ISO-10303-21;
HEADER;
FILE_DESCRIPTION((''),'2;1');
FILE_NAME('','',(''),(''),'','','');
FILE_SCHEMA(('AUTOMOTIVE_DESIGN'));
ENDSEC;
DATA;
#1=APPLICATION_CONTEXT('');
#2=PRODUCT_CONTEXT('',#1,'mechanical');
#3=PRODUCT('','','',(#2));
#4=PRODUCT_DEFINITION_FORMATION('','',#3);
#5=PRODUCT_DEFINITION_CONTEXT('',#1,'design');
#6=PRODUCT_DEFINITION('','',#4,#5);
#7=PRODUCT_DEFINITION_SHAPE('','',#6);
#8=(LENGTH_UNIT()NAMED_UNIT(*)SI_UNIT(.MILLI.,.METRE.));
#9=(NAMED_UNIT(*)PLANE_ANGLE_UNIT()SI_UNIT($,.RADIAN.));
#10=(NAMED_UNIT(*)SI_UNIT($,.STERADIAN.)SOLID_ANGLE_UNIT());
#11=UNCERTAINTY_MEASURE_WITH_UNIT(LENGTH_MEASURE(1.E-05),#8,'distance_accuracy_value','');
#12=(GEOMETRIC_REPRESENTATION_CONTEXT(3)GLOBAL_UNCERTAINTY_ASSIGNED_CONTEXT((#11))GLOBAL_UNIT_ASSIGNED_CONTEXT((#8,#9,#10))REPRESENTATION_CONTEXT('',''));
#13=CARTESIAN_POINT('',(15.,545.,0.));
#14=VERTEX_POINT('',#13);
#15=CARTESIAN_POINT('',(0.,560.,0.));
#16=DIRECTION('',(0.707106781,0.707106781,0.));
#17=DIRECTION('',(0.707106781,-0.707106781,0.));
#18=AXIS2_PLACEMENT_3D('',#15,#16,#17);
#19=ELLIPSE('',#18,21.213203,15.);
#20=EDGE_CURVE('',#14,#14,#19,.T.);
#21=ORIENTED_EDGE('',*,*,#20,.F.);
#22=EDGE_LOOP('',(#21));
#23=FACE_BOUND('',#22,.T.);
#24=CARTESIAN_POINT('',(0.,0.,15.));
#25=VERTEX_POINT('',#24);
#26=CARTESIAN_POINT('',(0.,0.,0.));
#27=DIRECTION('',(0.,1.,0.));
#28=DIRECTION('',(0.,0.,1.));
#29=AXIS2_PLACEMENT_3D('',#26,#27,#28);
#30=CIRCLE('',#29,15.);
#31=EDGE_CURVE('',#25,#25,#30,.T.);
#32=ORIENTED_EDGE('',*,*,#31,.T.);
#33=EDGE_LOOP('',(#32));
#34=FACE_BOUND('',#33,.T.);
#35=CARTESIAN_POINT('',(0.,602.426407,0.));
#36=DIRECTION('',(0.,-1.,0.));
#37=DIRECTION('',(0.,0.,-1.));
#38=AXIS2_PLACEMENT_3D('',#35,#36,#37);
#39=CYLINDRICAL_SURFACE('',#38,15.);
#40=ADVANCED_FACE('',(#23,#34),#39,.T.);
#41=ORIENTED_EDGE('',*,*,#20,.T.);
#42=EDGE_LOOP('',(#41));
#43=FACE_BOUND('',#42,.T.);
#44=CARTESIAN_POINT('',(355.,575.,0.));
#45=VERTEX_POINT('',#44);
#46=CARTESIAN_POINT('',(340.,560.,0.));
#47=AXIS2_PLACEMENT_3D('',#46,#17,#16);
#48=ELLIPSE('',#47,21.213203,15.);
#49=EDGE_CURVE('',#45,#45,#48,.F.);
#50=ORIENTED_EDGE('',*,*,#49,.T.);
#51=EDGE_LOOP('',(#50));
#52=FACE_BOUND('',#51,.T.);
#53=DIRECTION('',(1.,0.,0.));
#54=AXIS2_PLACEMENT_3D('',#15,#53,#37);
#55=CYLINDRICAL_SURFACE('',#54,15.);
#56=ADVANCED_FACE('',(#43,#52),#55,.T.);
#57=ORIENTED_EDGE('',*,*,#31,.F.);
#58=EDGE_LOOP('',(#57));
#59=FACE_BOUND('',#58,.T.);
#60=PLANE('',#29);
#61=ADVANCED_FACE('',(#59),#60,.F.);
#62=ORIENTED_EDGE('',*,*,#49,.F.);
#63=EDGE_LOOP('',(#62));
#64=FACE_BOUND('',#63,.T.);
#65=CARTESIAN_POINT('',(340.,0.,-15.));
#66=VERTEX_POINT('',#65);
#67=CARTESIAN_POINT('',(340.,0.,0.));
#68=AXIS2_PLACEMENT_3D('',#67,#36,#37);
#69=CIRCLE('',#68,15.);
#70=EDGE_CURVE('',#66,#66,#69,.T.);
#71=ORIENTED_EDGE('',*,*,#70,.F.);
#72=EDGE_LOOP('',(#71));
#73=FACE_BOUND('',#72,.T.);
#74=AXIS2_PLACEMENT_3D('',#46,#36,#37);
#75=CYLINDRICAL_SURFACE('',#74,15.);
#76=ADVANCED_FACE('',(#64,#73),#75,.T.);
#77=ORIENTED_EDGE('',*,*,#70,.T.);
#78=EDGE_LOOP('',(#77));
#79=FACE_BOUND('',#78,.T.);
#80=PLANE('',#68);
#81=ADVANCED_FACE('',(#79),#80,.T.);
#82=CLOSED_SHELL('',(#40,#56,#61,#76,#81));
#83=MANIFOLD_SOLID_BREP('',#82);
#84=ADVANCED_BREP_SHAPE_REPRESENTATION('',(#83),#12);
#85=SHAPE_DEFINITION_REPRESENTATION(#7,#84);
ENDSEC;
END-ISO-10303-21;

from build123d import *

# Parameters (mm, degrees)
SKETCH2_R = 15


with BuildPart() as part:
    # Sweep1: sweep along a path in Sketch1
    with BuildLine(Plane.XY) as sweep1_path:
        Line((0, 0), (0, 560))
        Line((0, 560), (340, 560))
        Line((340, 560), (340, 0))
    # Sketch2 → Sweep1 (sweep)
    with BuildSketch(Plane(origin=(0, 0, 0), x_dir=(1, 0, 0), z_dir=(0, 1, 0))):
        Circle(SKETCH2_R)
    sweep(path=sweep1_path.line, transition=Transition.RIGHT)


solid = part.part
